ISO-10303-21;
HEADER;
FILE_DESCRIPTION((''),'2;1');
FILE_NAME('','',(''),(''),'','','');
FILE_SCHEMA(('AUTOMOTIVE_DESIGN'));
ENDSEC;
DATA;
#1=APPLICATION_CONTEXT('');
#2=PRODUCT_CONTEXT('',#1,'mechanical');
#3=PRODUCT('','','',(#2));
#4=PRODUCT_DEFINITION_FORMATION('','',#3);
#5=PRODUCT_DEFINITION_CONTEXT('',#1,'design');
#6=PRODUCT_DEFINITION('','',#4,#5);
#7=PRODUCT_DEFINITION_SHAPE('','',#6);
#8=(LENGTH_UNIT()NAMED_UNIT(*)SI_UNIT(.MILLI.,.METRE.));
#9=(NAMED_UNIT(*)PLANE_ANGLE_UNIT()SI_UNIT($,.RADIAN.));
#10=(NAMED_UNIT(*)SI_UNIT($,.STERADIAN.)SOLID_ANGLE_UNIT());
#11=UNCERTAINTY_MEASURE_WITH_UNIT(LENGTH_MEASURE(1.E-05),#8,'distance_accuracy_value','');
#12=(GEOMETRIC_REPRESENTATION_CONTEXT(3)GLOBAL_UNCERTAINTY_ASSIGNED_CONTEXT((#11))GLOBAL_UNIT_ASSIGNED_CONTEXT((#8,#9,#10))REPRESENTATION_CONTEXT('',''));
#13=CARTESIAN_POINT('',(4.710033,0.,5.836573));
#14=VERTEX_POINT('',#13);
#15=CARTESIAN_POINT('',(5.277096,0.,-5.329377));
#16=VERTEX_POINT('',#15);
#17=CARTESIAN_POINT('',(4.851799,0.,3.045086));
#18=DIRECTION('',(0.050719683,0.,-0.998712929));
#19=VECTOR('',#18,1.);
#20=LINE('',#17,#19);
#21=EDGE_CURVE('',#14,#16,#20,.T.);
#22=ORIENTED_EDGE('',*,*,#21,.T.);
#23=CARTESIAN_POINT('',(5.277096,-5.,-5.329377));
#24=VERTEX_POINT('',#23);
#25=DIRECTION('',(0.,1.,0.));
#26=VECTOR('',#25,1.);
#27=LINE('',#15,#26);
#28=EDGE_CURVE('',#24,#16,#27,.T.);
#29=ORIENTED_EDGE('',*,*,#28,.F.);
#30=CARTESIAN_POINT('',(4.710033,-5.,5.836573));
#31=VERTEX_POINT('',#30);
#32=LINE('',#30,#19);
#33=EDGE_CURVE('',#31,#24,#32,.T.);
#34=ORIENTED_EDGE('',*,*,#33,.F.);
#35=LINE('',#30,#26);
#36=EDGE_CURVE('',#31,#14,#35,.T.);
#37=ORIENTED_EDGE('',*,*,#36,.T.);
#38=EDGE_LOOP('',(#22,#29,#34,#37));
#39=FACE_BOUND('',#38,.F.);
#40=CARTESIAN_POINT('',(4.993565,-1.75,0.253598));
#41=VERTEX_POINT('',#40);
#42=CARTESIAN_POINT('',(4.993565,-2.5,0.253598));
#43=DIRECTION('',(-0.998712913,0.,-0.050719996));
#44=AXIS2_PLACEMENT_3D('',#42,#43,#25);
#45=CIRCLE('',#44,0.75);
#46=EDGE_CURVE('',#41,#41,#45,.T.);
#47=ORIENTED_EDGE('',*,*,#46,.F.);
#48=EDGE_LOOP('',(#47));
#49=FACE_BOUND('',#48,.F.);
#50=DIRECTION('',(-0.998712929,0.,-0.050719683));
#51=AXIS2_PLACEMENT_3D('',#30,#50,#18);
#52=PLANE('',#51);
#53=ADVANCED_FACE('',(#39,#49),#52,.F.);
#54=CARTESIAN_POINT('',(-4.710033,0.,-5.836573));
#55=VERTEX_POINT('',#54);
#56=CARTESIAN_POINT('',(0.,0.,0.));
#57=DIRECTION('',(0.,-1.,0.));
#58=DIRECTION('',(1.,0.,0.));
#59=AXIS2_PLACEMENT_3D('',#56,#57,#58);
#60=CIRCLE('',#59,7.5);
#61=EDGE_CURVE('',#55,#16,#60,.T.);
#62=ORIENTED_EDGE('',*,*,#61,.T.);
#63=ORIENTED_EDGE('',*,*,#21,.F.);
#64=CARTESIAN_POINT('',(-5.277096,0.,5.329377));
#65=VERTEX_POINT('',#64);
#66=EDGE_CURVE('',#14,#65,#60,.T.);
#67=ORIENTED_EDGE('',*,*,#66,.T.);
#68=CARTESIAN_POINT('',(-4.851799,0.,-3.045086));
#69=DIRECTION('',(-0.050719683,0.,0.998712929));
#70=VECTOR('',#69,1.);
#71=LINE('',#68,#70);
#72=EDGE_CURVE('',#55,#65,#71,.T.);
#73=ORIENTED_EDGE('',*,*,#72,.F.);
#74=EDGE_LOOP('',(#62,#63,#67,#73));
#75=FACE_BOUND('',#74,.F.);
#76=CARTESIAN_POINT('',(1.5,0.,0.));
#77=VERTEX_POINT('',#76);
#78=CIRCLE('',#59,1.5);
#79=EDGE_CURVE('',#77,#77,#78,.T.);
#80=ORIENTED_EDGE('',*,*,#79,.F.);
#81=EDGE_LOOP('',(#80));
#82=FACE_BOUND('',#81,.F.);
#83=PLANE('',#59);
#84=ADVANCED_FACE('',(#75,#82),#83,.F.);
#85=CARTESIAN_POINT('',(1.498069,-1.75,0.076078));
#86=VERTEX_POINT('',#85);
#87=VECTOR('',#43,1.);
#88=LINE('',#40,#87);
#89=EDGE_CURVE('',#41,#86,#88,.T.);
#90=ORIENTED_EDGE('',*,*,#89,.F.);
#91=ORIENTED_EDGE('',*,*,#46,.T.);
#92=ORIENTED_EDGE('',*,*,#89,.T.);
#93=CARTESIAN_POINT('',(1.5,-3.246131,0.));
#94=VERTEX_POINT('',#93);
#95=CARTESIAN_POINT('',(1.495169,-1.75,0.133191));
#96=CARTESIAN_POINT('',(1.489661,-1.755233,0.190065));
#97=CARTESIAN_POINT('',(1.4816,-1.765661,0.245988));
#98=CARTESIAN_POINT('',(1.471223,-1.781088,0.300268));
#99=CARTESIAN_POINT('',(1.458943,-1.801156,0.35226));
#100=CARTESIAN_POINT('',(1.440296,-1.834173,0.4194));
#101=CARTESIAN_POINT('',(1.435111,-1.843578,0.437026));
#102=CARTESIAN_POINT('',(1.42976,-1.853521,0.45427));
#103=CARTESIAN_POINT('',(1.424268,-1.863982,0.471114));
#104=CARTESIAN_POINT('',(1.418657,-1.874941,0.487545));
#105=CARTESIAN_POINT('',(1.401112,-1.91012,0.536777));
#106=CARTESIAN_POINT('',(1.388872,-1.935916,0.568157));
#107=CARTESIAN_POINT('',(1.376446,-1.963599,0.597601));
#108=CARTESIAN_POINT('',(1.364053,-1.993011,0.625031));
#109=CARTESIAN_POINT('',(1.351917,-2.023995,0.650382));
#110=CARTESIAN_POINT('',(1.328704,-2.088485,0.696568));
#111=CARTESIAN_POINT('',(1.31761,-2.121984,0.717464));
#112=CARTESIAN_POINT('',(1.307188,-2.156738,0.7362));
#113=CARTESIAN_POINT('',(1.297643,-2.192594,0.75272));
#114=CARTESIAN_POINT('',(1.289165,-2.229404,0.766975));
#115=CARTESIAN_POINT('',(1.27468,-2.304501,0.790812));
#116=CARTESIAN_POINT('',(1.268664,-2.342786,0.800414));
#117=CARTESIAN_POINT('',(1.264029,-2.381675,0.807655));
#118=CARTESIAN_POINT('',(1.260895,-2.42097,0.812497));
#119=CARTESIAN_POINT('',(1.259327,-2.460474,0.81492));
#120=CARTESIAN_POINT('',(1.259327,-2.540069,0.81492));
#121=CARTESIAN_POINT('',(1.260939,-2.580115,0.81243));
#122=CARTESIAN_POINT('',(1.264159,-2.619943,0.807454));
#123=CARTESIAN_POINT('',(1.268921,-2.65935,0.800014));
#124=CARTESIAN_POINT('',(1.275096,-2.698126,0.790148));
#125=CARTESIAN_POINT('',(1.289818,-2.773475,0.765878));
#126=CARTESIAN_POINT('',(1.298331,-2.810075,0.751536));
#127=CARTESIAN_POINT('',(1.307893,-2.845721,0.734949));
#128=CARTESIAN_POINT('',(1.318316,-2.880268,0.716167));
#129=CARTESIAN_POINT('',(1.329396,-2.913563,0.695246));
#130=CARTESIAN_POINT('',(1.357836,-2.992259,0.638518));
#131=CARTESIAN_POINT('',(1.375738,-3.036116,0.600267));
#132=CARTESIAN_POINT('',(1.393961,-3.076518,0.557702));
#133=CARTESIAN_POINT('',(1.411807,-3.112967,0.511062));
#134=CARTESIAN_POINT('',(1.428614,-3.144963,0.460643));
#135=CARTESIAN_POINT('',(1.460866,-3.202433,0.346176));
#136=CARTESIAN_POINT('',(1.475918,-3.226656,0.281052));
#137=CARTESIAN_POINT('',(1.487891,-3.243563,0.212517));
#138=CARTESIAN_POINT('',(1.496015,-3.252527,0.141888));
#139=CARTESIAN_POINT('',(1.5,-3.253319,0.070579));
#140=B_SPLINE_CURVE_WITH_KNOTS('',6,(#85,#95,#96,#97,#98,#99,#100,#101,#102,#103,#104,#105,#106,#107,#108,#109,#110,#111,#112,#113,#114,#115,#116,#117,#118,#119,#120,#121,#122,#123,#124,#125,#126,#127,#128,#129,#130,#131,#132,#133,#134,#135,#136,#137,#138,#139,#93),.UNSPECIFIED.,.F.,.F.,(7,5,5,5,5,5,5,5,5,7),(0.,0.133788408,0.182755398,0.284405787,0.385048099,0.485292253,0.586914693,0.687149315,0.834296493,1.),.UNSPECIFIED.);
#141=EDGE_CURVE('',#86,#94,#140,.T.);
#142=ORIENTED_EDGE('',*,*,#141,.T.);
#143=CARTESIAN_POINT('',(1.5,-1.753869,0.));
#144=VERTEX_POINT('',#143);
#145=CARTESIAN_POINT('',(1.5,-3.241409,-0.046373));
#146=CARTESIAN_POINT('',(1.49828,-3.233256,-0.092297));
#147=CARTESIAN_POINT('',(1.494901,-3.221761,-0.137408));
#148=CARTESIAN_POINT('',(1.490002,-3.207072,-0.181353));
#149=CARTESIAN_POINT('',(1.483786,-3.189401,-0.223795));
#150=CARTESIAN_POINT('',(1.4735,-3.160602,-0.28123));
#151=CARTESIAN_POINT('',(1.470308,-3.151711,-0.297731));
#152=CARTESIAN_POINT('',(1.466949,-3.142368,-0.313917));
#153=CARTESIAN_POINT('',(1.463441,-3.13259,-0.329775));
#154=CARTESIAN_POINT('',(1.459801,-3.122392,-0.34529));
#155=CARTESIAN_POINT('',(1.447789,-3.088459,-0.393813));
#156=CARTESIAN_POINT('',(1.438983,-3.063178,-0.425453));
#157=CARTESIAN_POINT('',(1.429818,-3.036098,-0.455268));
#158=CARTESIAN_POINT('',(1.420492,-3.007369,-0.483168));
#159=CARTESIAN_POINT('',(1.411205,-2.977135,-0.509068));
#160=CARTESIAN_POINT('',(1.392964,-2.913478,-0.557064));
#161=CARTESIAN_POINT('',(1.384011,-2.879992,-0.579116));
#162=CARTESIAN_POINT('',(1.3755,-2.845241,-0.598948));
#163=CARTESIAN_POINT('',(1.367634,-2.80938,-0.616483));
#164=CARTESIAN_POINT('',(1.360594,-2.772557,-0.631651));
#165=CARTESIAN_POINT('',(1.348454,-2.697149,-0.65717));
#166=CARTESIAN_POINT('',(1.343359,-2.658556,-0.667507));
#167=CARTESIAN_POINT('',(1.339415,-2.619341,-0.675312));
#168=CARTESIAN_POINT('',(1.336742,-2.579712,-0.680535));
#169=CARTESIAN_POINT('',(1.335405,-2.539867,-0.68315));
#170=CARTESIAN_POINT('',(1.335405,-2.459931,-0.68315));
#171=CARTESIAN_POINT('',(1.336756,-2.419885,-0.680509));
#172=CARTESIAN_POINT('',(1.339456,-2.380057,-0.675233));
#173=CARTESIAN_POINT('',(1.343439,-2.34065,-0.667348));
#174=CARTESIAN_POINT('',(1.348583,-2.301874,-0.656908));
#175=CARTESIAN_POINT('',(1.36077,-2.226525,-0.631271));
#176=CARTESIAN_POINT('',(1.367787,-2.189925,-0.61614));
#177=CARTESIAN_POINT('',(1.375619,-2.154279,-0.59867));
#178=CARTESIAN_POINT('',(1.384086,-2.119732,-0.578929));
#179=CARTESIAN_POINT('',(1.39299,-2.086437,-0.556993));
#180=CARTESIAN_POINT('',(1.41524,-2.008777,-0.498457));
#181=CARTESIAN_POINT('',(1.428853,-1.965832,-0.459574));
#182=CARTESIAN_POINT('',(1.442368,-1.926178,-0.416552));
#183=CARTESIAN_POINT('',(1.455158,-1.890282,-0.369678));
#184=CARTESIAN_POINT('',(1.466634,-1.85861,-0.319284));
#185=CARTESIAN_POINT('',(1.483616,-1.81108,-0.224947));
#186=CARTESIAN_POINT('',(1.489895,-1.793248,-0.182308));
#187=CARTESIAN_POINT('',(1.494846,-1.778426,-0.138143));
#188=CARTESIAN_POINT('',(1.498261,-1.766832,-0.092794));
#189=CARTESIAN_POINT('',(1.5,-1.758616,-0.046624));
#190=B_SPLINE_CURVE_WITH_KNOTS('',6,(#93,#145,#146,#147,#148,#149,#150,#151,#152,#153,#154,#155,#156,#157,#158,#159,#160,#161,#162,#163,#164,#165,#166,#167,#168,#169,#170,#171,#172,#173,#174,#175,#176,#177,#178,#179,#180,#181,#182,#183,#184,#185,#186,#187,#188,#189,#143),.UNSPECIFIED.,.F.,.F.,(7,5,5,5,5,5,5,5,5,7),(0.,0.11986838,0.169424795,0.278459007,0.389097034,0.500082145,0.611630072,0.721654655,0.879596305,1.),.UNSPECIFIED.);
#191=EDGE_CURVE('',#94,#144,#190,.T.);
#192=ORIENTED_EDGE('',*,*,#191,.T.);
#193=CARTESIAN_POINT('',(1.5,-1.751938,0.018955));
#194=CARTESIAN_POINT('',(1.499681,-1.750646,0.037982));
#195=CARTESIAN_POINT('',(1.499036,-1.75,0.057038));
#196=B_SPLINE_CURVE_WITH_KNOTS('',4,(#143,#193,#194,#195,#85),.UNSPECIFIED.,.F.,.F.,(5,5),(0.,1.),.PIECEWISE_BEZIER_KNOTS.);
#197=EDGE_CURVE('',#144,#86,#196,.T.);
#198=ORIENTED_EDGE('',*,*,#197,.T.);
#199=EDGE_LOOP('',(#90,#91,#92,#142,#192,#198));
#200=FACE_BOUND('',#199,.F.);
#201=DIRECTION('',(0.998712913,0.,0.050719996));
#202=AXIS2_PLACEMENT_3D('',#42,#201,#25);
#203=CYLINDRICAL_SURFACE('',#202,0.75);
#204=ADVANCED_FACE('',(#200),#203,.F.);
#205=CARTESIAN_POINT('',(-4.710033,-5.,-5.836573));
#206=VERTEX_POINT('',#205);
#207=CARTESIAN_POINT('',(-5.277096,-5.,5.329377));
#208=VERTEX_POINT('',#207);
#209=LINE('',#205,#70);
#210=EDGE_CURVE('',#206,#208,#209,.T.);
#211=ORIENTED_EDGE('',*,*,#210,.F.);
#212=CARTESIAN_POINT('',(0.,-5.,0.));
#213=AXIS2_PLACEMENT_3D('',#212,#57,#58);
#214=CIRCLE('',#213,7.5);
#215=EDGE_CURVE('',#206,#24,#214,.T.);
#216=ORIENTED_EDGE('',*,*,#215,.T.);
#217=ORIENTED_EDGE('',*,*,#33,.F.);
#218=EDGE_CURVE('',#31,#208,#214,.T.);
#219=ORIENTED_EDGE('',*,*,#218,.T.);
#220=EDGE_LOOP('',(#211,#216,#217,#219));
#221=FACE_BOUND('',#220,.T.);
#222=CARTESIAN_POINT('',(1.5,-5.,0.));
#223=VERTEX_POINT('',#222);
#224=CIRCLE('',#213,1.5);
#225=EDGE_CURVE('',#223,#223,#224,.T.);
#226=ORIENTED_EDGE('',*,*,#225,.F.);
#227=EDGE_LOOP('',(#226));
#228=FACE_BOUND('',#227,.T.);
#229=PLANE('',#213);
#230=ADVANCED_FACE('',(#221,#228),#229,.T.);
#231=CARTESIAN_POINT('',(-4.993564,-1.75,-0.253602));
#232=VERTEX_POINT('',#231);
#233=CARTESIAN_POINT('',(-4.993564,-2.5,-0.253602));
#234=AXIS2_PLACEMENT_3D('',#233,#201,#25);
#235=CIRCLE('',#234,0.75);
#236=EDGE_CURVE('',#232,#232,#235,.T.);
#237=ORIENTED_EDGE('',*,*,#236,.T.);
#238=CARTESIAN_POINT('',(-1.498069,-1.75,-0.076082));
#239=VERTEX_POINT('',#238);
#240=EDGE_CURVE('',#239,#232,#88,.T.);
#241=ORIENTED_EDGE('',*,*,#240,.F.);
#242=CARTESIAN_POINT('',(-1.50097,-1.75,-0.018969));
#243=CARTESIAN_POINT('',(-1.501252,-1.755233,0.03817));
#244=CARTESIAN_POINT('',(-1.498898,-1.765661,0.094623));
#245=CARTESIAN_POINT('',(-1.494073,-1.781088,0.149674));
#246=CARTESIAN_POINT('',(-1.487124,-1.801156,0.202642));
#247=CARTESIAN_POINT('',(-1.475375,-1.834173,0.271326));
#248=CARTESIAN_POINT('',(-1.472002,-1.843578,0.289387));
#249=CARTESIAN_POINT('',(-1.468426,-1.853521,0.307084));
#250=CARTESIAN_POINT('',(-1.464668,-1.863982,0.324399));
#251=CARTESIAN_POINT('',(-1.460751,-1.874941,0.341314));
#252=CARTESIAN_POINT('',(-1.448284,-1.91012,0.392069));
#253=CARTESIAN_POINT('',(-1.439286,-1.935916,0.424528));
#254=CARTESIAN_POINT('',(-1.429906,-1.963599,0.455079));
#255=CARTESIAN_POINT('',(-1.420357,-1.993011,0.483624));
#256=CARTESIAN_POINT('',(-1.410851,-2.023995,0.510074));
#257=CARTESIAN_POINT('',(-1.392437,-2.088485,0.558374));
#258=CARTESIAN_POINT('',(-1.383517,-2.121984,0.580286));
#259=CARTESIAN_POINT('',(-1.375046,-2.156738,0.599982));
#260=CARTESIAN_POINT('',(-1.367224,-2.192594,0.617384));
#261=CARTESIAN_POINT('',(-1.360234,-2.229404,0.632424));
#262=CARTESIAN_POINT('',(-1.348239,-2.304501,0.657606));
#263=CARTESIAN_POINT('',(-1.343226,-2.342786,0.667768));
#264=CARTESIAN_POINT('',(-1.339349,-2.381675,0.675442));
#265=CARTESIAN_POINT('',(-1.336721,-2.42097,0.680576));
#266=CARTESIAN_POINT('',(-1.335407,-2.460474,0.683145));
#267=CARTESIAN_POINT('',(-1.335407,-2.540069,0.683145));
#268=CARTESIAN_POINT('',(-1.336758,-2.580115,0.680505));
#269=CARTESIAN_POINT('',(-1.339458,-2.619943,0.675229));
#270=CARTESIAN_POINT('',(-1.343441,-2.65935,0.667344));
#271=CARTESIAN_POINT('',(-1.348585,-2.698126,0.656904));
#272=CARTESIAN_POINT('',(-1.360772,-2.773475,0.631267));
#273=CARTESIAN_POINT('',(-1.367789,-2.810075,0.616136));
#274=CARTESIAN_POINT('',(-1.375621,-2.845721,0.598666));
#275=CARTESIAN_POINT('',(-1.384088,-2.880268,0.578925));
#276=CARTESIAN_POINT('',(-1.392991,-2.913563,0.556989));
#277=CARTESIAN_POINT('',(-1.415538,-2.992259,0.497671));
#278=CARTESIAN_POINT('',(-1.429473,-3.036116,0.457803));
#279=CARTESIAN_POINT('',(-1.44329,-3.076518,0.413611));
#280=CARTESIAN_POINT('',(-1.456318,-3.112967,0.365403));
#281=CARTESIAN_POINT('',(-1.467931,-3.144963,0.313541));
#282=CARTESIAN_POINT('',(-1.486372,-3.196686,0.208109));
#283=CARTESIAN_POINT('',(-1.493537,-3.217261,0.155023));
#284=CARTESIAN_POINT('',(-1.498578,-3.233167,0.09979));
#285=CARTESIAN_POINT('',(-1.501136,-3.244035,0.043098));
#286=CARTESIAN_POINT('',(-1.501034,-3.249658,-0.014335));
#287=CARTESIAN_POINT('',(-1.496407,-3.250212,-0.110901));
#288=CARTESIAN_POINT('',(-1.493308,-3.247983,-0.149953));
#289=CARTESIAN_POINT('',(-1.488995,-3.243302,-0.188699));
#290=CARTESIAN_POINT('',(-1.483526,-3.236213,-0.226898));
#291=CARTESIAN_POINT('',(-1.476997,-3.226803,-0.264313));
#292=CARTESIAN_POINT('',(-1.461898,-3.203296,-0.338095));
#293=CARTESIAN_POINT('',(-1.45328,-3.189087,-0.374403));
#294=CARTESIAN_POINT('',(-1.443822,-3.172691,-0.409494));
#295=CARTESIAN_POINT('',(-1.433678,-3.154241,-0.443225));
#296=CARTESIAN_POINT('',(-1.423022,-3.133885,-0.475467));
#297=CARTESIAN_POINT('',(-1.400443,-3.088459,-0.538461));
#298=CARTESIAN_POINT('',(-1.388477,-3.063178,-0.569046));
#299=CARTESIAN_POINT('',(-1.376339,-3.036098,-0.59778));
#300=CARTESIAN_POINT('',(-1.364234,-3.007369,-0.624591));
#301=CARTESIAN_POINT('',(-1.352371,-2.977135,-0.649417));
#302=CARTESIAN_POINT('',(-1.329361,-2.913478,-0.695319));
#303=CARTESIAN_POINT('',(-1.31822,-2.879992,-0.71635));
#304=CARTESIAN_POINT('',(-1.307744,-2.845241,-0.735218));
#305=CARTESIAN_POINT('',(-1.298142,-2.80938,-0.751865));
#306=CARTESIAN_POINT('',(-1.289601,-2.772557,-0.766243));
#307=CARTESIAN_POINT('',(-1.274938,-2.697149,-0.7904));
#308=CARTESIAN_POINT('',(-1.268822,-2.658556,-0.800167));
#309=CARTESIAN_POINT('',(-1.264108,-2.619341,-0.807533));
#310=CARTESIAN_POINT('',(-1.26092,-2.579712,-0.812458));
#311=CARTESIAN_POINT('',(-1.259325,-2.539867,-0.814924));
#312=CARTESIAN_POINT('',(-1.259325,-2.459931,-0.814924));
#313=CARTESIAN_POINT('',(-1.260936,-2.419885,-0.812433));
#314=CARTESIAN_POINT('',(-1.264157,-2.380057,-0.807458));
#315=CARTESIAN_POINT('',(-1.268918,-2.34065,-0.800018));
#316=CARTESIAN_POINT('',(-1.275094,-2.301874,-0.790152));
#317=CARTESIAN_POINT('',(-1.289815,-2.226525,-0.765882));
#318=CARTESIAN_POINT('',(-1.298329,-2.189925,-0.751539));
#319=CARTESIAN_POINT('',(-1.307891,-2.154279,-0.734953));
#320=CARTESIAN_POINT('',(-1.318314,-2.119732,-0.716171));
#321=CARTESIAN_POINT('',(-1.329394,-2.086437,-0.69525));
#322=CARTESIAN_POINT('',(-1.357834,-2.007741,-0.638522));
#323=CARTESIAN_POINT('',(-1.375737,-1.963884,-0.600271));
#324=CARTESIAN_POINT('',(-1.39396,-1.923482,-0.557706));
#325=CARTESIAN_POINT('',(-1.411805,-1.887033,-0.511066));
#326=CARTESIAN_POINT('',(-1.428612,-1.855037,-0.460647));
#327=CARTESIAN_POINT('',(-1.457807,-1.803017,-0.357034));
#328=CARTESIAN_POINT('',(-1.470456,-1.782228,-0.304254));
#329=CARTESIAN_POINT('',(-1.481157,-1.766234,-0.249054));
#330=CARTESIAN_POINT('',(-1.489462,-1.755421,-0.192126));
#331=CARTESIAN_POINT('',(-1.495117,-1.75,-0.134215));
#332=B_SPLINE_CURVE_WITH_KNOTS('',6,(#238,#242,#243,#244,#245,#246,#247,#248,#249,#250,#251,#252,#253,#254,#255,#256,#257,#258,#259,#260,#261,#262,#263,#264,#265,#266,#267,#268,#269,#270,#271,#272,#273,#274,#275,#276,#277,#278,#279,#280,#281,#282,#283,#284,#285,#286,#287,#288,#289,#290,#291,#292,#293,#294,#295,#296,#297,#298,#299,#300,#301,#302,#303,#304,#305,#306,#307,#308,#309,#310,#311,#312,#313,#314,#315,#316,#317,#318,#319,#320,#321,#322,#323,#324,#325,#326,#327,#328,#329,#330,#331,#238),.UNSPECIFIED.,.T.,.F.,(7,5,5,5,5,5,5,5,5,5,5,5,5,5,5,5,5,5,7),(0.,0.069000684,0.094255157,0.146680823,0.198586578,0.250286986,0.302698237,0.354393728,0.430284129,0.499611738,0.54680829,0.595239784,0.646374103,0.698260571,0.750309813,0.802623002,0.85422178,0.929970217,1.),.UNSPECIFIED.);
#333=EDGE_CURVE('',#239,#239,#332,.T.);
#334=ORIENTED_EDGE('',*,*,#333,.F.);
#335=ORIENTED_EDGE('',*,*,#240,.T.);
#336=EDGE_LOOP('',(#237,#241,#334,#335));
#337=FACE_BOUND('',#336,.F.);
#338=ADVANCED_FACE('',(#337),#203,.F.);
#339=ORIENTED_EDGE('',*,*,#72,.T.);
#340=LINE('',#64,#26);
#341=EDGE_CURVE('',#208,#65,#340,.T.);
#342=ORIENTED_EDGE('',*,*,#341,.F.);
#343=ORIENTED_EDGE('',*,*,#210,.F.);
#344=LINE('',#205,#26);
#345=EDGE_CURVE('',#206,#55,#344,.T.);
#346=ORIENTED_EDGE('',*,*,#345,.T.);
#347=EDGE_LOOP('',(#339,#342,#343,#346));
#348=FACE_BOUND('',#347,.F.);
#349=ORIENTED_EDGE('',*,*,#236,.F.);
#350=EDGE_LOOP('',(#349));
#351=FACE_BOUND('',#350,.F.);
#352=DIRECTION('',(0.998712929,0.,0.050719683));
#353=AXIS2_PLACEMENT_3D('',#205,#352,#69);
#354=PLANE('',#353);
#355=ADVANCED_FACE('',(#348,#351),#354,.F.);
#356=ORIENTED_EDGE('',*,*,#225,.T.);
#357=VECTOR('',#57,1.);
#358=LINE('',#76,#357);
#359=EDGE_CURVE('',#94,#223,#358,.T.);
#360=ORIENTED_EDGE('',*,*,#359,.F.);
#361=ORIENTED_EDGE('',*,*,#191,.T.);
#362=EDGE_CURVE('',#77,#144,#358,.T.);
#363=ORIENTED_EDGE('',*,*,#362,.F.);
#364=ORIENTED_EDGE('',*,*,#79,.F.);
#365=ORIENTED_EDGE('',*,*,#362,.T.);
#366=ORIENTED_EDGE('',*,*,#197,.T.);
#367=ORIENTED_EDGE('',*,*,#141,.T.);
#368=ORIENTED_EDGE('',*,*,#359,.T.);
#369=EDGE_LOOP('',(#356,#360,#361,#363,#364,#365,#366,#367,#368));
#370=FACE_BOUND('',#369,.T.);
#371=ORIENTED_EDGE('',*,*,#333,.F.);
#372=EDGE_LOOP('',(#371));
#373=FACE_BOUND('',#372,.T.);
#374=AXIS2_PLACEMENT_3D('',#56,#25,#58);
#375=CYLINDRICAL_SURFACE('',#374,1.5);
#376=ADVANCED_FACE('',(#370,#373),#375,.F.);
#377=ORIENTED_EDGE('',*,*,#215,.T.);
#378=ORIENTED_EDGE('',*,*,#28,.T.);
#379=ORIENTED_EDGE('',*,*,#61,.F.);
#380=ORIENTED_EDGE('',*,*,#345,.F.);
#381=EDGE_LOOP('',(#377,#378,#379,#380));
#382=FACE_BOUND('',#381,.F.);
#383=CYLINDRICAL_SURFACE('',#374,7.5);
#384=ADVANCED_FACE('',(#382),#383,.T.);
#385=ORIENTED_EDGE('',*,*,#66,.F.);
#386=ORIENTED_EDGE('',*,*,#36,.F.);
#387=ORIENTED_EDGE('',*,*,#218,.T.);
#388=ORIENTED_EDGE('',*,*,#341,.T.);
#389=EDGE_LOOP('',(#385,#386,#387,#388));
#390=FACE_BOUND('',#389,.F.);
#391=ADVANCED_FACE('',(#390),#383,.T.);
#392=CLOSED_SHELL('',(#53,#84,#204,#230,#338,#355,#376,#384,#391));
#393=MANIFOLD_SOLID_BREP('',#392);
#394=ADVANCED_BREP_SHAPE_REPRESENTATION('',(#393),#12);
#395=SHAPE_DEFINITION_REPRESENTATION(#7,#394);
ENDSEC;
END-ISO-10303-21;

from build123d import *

# Parameters (mm, degrees)
F0_R     = 7.5
F0_R_2   = 1.5
F1_DEPTH = 5
F3_DEPTH = 25
F4_R     = 0.75
F5_DEPTH = 25


with BuildPart() as f1:
    # F0 (on Front) → F1 (new body)
    with BuildSketch(Plane.XZ):
        Circle(F0_R)
        Circle(F0_R_2, mode=Mode.SUBTRACT)
    extrude(amount=F1_DEPTH)

    # F2 (on face) → F3 (cut)
    with BuildSketch(Plane.XZ.offset(5)):
        Polygon((7.705039, 6.243331), (4.710033, 5.836573), (5.342667, -6.620519), (8.805699, -9.096223), (11.449249, 0), align=None)
        Polygon((-4.710033, -5.836573), (-5.342667, 6.620519), (-10.334909, 6.971451), (-9.518318, -9.107922), align=None)
    extrude(amount=-F3_DEPTH, mode=Mode.SUBTRACT)

    # F4 (on face) → F5 (cut)
    with BuildSketch(Plane(origin=(4.993565, 0, 0.253598), x_dir=(0, 1, 0), z_dir=(0.998713, 0, 0.05072))):
        with Locations((-2.5, 0)):
            Circle(F4_R)
    extrude(amount=-F5_DEPTH, mode=Mode.SUBTRACT)


solid = f1.part
